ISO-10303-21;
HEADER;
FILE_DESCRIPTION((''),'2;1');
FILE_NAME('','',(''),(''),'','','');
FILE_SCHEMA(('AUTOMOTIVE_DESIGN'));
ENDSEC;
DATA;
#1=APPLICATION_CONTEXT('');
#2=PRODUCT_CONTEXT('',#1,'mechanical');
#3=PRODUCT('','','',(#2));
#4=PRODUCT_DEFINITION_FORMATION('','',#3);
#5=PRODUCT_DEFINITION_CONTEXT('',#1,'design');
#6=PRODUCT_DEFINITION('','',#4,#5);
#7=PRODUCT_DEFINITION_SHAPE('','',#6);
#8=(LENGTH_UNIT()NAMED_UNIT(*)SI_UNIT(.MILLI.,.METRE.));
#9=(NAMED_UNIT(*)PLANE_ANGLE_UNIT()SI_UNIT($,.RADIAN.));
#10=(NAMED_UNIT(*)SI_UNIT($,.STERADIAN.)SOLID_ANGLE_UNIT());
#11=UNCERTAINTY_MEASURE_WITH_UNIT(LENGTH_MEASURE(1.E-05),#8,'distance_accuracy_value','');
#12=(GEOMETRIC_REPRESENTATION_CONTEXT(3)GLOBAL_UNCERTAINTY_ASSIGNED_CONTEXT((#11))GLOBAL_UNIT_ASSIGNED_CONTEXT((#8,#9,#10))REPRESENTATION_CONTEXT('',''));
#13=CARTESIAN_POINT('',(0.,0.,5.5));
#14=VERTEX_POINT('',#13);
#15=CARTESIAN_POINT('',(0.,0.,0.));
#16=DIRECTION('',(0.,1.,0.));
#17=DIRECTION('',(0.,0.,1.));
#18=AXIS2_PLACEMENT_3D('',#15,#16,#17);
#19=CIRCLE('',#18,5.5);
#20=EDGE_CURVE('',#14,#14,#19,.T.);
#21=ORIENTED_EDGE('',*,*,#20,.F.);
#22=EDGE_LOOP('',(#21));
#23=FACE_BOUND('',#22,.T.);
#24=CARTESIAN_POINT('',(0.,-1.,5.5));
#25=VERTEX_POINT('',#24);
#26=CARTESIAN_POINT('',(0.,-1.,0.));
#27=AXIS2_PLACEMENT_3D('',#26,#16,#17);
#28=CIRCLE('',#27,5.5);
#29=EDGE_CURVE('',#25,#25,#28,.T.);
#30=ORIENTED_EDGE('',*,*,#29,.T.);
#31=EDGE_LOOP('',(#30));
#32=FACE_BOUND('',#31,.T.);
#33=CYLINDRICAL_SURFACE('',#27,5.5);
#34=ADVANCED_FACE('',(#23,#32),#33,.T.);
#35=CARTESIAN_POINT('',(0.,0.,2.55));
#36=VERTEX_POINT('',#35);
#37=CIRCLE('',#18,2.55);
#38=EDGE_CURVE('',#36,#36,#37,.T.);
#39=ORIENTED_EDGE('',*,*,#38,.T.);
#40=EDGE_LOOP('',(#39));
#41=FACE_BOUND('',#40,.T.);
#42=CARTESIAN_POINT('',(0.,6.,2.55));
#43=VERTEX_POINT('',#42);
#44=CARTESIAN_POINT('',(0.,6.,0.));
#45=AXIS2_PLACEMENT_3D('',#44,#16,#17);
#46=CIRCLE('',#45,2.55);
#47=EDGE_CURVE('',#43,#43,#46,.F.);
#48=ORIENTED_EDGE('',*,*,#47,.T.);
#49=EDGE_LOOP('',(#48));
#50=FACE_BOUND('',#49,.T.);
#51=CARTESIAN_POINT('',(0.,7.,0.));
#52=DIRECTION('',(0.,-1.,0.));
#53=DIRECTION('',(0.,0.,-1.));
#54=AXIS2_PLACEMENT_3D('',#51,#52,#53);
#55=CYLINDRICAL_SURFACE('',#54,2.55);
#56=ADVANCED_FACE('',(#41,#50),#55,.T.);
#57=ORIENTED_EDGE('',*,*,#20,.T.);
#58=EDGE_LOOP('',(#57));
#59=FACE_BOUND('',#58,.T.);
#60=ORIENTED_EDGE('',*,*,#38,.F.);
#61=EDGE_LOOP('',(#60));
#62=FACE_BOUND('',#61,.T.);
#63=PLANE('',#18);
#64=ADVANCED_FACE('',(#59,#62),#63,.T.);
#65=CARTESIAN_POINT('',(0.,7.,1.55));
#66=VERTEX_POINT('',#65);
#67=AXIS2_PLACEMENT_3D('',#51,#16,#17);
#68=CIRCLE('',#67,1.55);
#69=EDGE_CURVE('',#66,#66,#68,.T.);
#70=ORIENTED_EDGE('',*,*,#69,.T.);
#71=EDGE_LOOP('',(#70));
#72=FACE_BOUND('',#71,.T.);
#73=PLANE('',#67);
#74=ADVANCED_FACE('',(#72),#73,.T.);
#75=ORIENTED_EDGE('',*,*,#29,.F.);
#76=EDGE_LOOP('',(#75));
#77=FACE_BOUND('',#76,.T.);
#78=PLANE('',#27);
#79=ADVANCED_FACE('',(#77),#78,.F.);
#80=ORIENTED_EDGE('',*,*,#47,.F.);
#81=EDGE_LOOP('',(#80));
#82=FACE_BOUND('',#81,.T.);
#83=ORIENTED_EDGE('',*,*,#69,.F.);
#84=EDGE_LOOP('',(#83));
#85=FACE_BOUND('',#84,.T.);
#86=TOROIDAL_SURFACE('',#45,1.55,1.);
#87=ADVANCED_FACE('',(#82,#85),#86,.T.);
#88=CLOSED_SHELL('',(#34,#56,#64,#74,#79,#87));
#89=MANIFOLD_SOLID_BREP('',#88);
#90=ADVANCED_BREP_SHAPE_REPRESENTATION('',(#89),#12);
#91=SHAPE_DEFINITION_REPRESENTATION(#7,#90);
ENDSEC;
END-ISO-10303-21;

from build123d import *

# Parameters (mm, degrees)
SKETCH1_R           = 2.55
BOSS_EXTRUDE1_DEPTH = 7
SKETCH1_3_R         = 5.5
BOSS_EXTRUDE2_DEPTH = 1
FILLET1_R           = 1


with BuildPart() as part:
    # Sketch1 → Boss-Extrude1 (new body)
    with BuildSketch(Plane(origin=(0, 0, 0), x_dir=(1, 0, 0), z_dir=(0, 1, 0))):
        Circle(SKETCH1_R)
    extrude(amount=BOSS_EXTRUDE1_DEPTH)

    # Sketch1<3> → Boss-Extrude2 (add)
    with BuildSketch(Plane(origin=(0, 0, 0), x_dir=(1, 0, 0), z_dir=(0, 1, 0))):
        Circle(SKETCH1_3_R)
    extrude(amount=-BOSS_EXTRUDE2_DEPTH)

    # Fillet1
    fillet1_edges = [part.edges().sort_by_distance(p)[0] for p in [
        (-2.55, 7, 0),
    ]]
    fillet(fillet1_edges, radius=FILLET1_R)


solid = part.part
